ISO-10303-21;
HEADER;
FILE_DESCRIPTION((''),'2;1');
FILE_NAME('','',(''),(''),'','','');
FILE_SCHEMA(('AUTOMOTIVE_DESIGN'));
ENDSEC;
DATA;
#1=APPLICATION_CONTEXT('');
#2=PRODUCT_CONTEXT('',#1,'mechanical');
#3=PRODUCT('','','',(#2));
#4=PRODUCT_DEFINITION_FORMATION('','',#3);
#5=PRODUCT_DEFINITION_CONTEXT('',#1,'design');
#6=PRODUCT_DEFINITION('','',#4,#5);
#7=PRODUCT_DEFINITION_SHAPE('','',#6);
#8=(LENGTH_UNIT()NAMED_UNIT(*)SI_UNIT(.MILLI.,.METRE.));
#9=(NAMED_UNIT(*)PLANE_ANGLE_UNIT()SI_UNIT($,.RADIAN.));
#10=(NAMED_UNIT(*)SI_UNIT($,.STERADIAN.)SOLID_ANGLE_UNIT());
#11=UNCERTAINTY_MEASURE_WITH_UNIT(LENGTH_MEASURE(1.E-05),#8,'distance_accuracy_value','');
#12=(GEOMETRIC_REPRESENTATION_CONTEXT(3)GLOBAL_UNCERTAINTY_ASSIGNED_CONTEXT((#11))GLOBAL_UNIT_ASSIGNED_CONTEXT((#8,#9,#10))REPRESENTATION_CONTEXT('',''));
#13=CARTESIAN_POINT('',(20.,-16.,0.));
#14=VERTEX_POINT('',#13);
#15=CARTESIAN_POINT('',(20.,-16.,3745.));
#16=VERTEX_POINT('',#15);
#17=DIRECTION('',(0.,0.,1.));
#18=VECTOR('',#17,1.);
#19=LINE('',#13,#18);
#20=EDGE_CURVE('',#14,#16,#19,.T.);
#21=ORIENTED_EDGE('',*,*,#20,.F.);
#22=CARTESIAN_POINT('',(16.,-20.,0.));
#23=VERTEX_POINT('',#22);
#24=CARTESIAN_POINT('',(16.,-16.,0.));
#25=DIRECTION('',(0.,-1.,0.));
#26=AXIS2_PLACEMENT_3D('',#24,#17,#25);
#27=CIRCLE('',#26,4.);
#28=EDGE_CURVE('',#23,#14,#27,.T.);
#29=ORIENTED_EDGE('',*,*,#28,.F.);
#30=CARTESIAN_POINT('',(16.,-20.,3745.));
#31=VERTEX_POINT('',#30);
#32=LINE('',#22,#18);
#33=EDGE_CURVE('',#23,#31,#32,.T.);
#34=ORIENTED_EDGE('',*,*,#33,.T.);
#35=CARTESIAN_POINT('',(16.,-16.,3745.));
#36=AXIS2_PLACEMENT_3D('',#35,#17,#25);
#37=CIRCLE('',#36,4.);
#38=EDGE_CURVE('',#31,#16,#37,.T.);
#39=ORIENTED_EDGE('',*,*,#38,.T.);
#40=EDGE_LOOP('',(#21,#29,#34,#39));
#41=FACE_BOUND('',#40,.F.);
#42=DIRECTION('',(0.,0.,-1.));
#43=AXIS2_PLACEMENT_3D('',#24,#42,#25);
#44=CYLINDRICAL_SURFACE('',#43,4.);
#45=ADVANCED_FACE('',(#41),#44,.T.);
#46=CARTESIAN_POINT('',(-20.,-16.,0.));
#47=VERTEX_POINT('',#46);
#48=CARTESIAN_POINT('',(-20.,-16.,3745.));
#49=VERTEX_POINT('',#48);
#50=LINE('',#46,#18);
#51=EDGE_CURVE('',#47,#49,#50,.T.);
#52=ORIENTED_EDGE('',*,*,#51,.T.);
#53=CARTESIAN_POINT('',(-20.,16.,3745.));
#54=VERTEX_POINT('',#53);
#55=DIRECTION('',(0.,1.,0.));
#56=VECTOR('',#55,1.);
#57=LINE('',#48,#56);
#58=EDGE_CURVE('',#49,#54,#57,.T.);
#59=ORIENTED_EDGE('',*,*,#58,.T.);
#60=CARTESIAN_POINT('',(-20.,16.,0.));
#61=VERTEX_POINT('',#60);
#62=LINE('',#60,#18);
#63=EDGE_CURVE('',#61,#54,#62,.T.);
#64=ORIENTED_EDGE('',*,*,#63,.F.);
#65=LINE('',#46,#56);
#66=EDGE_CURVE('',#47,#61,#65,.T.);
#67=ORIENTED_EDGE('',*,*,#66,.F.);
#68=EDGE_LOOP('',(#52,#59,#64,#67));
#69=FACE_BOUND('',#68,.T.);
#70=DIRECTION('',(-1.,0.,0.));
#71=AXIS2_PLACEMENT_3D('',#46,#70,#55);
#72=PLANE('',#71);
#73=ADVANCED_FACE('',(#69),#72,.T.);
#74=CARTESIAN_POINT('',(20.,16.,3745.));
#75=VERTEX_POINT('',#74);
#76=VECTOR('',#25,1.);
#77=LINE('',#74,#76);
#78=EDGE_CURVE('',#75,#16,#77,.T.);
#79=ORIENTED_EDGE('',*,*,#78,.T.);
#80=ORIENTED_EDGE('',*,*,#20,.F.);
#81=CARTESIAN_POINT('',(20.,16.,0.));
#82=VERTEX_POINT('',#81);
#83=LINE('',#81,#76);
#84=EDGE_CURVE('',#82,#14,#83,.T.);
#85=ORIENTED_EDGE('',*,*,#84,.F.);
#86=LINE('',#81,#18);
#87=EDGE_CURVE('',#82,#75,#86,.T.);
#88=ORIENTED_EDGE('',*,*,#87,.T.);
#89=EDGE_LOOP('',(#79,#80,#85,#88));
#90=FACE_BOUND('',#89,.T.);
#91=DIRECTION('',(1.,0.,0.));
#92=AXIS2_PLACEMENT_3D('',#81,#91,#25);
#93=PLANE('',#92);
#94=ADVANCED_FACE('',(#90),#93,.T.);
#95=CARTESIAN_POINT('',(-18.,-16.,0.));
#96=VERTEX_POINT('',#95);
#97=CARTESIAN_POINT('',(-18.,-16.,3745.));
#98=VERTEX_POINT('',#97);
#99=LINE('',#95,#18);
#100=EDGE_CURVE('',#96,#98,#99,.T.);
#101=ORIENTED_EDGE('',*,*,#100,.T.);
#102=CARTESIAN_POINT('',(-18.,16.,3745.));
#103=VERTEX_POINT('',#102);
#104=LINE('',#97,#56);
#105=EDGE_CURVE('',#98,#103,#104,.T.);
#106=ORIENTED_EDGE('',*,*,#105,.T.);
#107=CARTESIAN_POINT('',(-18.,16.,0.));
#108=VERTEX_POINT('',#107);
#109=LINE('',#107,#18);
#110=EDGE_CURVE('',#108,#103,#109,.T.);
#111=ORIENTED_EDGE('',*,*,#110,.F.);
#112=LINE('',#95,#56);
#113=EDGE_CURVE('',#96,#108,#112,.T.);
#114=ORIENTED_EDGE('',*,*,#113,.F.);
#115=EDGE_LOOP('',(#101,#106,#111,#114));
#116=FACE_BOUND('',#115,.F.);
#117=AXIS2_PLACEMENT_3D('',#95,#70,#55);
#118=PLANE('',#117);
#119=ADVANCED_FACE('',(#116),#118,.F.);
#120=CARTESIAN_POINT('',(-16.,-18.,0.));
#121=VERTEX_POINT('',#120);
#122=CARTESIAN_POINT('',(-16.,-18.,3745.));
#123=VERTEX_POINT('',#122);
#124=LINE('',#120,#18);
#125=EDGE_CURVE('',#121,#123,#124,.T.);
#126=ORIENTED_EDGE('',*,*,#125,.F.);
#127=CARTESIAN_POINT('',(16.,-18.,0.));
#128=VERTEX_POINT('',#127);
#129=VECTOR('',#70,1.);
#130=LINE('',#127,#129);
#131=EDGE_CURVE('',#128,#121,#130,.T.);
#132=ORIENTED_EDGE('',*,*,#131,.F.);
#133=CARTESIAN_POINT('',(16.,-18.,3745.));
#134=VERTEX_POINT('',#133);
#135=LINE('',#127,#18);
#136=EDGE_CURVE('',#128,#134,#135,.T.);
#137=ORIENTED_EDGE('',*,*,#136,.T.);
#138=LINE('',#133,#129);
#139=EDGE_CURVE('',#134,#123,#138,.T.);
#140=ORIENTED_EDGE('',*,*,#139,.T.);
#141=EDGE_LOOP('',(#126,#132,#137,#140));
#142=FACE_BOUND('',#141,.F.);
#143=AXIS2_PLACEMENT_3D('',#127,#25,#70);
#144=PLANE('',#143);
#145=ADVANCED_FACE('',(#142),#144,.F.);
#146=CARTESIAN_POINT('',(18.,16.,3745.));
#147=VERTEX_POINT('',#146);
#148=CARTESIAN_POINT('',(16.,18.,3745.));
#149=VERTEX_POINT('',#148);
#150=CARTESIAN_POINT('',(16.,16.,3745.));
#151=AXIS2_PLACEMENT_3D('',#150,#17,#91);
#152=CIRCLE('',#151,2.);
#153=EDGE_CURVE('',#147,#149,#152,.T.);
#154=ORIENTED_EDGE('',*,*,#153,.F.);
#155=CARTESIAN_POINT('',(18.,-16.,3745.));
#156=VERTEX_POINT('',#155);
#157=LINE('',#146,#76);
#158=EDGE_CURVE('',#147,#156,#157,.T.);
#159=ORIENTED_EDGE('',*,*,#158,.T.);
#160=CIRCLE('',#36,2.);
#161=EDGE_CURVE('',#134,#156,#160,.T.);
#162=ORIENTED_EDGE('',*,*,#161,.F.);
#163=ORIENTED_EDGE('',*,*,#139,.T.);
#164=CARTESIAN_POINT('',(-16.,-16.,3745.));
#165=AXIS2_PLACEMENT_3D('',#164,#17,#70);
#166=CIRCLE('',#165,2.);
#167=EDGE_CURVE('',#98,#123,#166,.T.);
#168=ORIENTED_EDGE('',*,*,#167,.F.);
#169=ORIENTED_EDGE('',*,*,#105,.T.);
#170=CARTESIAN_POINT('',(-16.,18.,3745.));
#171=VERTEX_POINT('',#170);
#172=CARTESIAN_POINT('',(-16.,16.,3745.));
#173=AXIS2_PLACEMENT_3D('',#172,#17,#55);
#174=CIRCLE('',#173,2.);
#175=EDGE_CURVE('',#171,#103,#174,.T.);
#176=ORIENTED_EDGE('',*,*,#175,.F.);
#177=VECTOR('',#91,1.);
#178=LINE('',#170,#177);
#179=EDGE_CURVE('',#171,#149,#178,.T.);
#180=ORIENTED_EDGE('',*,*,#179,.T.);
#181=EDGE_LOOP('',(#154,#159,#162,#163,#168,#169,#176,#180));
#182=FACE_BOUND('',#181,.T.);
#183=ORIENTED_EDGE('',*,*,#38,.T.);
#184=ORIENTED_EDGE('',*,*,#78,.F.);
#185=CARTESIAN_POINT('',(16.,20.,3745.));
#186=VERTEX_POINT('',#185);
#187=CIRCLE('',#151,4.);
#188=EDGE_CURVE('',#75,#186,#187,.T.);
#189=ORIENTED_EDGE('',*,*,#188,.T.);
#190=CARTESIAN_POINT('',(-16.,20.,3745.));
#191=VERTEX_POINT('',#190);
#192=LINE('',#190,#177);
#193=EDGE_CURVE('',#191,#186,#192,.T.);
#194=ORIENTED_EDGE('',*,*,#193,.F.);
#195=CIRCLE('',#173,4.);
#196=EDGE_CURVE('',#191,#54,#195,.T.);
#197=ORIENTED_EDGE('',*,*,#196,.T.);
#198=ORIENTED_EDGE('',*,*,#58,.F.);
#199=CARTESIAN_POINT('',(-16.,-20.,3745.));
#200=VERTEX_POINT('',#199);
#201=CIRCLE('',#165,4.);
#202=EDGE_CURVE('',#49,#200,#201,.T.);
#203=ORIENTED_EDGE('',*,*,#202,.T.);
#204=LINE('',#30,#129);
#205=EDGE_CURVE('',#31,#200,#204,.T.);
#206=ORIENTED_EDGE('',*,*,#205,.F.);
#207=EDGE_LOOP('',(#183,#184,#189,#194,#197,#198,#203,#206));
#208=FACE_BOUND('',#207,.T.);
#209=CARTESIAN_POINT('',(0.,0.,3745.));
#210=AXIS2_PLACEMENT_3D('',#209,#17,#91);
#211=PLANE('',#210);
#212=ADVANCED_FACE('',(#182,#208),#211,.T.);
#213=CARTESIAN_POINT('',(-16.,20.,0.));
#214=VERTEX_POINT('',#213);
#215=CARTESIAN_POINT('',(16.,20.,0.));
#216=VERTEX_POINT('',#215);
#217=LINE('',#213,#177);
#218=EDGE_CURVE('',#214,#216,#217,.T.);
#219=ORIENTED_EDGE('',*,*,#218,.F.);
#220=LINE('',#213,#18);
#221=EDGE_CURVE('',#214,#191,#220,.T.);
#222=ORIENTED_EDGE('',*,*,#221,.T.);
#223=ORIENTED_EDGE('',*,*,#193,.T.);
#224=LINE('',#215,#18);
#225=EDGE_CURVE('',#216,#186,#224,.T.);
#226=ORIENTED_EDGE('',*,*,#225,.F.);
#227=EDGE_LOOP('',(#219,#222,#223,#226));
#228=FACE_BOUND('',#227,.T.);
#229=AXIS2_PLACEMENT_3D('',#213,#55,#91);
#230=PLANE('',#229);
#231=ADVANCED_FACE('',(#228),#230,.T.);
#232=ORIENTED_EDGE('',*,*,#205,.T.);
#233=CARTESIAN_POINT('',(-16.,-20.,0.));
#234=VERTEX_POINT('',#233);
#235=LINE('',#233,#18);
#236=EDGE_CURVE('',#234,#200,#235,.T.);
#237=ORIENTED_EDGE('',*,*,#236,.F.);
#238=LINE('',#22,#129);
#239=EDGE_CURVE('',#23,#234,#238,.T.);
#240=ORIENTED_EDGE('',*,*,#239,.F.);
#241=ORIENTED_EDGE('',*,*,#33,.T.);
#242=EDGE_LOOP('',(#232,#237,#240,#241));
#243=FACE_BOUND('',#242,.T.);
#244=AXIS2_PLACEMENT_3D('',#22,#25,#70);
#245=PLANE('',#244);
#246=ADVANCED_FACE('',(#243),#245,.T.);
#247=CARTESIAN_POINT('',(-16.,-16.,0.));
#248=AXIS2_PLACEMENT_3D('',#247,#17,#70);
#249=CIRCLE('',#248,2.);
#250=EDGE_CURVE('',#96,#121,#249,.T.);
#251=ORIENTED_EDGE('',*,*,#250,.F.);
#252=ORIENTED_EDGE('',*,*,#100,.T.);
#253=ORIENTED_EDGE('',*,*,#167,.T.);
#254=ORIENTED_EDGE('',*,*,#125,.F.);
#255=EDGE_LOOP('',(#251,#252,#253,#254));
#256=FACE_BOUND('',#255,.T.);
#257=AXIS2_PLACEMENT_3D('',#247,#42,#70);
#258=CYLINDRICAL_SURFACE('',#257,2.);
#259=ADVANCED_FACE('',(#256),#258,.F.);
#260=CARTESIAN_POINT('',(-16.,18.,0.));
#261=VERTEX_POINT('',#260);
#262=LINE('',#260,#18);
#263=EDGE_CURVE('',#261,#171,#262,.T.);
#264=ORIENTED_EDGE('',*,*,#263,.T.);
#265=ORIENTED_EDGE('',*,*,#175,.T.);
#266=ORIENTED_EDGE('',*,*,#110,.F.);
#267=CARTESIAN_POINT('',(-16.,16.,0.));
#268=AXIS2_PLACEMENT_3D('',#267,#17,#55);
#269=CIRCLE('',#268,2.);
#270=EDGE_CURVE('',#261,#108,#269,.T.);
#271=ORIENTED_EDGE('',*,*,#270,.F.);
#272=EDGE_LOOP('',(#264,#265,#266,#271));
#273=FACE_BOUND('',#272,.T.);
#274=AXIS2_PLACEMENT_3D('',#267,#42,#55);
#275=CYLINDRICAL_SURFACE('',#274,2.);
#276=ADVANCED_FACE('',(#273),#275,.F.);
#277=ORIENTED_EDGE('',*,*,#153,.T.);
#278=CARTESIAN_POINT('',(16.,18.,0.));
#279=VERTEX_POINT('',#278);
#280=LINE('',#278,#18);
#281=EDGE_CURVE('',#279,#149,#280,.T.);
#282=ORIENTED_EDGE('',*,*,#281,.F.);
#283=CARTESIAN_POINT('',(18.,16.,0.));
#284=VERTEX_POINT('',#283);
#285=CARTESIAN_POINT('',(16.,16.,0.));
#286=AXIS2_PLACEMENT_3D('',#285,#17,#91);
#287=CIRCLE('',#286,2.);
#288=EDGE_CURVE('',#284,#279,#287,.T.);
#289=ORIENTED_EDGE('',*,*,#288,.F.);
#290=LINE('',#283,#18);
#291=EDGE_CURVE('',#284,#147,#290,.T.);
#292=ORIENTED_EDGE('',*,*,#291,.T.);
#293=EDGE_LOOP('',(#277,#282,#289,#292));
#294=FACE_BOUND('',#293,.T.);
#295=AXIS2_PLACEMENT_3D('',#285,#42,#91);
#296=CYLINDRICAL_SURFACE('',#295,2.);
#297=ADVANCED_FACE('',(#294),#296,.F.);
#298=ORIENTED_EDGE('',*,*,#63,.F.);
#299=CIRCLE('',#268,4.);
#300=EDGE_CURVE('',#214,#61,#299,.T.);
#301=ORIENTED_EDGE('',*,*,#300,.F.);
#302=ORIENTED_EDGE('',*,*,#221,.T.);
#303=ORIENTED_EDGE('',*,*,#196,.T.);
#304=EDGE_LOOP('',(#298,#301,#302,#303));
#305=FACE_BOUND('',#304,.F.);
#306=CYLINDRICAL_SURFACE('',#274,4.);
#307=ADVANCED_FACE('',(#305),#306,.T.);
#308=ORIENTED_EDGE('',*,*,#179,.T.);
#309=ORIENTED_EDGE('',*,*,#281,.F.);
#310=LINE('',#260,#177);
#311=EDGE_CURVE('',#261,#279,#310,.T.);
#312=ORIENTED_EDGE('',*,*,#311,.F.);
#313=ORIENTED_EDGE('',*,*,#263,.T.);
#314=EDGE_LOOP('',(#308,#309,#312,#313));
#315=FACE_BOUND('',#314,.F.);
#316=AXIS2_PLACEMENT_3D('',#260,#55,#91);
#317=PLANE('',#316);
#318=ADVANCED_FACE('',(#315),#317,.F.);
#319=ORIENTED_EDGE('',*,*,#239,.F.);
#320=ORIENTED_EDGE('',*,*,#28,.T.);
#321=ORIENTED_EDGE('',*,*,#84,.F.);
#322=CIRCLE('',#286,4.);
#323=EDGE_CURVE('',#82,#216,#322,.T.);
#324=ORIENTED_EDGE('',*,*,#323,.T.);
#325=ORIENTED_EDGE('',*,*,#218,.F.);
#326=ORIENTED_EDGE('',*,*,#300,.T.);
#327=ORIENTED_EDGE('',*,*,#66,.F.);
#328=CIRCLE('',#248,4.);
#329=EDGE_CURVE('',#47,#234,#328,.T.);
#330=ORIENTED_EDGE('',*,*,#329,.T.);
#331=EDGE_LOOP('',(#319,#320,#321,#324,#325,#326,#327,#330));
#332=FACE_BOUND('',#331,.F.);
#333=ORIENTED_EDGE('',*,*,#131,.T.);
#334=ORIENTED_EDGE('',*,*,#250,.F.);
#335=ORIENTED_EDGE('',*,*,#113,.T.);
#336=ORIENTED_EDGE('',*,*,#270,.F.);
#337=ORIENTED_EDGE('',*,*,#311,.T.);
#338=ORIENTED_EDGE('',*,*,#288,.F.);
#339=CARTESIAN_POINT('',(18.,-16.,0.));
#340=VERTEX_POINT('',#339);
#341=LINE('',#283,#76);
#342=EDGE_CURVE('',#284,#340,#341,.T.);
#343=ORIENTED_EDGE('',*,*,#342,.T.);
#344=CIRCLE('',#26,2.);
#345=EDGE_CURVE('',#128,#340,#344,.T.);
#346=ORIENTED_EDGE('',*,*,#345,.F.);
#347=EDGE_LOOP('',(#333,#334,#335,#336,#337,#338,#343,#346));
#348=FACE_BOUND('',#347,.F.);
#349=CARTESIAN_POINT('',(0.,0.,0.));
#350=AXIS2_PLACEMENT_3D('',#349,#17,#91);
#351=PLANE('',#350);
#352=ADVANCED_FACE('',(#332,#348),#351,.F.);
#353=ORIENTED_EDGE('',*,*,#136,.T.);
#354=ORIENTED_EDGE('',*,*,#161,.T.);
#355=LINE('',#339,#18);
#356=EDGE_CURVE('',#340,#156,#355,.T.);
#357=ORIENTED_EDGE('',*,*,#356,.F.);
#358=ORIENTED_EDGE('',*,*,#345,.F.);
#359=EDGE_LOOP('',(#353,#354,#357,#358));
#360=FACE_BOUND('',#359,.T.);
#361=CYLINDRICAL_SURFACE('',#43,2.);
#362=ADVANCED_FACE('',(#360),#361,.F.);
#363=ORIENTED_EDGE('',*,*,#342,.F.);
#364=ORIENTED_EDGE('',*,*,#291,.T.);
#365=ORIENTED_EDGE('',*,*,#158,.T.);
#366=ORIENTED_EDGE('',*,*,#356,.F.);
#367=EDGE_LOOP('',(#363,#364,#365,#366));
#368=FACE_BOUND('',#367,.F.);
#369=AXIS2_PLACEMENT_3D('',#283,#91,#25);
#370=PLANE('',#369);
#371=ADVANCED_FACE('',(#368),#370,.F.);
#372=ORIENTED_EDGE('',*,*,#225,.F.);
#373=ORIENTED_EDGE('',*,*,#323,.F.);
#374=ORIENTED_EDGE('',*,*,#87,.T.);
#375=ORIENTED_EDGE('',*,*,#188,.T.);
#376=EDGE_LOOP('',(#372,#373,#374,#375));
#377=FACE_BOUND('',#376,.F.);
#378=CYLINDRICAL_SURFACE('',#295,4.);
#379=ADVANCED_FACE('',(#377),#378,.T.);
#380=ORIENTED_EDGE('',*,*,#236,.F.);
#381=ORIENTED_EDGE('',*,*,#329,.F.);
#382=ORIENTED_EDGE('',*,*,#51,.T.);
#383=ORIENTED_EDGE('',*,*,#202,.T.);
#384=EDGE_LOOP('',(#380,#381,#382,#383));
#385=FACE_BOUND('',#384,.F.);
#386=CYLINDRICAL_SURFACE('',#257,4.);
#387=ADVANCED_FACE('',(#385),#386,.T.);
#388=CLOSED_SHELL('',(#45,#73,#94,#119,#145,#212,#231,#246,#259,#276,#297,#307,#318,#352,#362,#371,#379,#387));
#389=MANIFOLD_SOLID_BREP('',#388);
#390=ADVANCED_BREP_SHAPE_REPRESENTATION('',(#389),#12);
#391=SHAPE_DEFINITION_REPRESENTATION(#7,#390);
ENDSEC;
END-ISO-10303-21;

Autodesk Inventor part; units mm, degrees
ref_plane "YZ Plane" through (0, 0, 0) normal (1, 0, 0) x (0, 1, 0)
ref_plane "Start Plane" through (0, 0, 0) normal (0, 0, 1) x (1, 0, 0)
ref_plane "End Plane" through (0, 0, 3745) normal (0, 0, 1) x (1, 0, 0)
sketch "Sketch" plane through (0, 0, 0) normal (0, 0, 1) x (1, 0, 0)
  line L0 (-20, -16) -> (-20, 16)
  line L1 (-16, 20) -> (16, 20)
  line L2 (20, 16) -> (20, -16)
  line L3 (16, -20) -> (-16, -20)
  arc A0 (-20, -16) -> (-16, -20) centre (-16, -16) ccw
  arc A1 (20, 16) -> (16, 20) centre (16, 16) ccw
  arc A2 (-16, 20) -> (-20, 16) centre (-16, 16) ccw
  arc A3 (16, -20) -> (20, -16) centre (16, -16) ccw
  arc A4 (-16, 18) -> (-18, 16) centre (-16, 16) ccw
  line L4 (-16, 18) -> (16, 18)
  arc A5 (18, 16) -> (16, 18) centre (16, 16) ccw
  line L5 (18, 16) -> (18, -16)
  arc A6 (16, -18) -> (18, -16) centre (16, -16) ccw
  line L6 (16, -18) -> (-16, -18)
  arc A7 (-18, -16) -> (-16, -18) centre (-16, -16) ccw
  line L7 (-18, -16) -> (-18, 16)
  line L8 (0, 29.1598) -> (0, -29.1598) construction
  line L9 (-29.1598, 0) -> (29.1598, 0) construction
  dimension "d7" = 4
  dimension "d9" = 40
  dimension "d11" = 40
  dimension "d12" = 2
  dimension "d15" = 20
  dimension "d16" = 20
extrude "Body" add sketch "Sketch" along normal up to surface (3745 mm away) from surface at 0
sketch "Sketch3" plane through (0, 0, 0) normal (0, 0, 1) x (1, 0, 0)
  line L0 (0, 0) -> (10, 0)
ref_plane "Work Plane3" through (0, 0, 0) normal (0, -1, 0) x (1, 0, 0)
sketch "Sketch4" plane through (0, 0, 0) normal (0, -1, 0) x (1, 0, 0)
  line L0 (-2, 0) -> (12, 0) projected
  line L1 (-2, 3745) -> (12, 3745) projected
  dimension "d18" = 3745
equation "\"d7\" = G_IR"
equation "\"d9\" = G_W"
equation "\"d11\" = G_H"
equation "\"d12\" = G_T"
equation "\"d15\" = 0.5 * d9"
equation "\"d16\" = 0.5 * d11"
equation "\"d3\" = G_L"
equation "\"G_W\" = 40"
equation "\"G_H\" = 40"
equation "\"G_T\" = 2"
equation "\"G_IR\" = 4"
equation "\"G_L\" = d18"
equation "\"G_OFFSET_START\" = 0"
equation "\"G_OFFSET_END\" = 0"
equation "\"d14\" = G_OFFSET_END + B_L"
equation "\"B_L\" = 3745"
properties part number "ISO 10799-2 - 40x40x2 - 3745" material "Stainless Steel"
